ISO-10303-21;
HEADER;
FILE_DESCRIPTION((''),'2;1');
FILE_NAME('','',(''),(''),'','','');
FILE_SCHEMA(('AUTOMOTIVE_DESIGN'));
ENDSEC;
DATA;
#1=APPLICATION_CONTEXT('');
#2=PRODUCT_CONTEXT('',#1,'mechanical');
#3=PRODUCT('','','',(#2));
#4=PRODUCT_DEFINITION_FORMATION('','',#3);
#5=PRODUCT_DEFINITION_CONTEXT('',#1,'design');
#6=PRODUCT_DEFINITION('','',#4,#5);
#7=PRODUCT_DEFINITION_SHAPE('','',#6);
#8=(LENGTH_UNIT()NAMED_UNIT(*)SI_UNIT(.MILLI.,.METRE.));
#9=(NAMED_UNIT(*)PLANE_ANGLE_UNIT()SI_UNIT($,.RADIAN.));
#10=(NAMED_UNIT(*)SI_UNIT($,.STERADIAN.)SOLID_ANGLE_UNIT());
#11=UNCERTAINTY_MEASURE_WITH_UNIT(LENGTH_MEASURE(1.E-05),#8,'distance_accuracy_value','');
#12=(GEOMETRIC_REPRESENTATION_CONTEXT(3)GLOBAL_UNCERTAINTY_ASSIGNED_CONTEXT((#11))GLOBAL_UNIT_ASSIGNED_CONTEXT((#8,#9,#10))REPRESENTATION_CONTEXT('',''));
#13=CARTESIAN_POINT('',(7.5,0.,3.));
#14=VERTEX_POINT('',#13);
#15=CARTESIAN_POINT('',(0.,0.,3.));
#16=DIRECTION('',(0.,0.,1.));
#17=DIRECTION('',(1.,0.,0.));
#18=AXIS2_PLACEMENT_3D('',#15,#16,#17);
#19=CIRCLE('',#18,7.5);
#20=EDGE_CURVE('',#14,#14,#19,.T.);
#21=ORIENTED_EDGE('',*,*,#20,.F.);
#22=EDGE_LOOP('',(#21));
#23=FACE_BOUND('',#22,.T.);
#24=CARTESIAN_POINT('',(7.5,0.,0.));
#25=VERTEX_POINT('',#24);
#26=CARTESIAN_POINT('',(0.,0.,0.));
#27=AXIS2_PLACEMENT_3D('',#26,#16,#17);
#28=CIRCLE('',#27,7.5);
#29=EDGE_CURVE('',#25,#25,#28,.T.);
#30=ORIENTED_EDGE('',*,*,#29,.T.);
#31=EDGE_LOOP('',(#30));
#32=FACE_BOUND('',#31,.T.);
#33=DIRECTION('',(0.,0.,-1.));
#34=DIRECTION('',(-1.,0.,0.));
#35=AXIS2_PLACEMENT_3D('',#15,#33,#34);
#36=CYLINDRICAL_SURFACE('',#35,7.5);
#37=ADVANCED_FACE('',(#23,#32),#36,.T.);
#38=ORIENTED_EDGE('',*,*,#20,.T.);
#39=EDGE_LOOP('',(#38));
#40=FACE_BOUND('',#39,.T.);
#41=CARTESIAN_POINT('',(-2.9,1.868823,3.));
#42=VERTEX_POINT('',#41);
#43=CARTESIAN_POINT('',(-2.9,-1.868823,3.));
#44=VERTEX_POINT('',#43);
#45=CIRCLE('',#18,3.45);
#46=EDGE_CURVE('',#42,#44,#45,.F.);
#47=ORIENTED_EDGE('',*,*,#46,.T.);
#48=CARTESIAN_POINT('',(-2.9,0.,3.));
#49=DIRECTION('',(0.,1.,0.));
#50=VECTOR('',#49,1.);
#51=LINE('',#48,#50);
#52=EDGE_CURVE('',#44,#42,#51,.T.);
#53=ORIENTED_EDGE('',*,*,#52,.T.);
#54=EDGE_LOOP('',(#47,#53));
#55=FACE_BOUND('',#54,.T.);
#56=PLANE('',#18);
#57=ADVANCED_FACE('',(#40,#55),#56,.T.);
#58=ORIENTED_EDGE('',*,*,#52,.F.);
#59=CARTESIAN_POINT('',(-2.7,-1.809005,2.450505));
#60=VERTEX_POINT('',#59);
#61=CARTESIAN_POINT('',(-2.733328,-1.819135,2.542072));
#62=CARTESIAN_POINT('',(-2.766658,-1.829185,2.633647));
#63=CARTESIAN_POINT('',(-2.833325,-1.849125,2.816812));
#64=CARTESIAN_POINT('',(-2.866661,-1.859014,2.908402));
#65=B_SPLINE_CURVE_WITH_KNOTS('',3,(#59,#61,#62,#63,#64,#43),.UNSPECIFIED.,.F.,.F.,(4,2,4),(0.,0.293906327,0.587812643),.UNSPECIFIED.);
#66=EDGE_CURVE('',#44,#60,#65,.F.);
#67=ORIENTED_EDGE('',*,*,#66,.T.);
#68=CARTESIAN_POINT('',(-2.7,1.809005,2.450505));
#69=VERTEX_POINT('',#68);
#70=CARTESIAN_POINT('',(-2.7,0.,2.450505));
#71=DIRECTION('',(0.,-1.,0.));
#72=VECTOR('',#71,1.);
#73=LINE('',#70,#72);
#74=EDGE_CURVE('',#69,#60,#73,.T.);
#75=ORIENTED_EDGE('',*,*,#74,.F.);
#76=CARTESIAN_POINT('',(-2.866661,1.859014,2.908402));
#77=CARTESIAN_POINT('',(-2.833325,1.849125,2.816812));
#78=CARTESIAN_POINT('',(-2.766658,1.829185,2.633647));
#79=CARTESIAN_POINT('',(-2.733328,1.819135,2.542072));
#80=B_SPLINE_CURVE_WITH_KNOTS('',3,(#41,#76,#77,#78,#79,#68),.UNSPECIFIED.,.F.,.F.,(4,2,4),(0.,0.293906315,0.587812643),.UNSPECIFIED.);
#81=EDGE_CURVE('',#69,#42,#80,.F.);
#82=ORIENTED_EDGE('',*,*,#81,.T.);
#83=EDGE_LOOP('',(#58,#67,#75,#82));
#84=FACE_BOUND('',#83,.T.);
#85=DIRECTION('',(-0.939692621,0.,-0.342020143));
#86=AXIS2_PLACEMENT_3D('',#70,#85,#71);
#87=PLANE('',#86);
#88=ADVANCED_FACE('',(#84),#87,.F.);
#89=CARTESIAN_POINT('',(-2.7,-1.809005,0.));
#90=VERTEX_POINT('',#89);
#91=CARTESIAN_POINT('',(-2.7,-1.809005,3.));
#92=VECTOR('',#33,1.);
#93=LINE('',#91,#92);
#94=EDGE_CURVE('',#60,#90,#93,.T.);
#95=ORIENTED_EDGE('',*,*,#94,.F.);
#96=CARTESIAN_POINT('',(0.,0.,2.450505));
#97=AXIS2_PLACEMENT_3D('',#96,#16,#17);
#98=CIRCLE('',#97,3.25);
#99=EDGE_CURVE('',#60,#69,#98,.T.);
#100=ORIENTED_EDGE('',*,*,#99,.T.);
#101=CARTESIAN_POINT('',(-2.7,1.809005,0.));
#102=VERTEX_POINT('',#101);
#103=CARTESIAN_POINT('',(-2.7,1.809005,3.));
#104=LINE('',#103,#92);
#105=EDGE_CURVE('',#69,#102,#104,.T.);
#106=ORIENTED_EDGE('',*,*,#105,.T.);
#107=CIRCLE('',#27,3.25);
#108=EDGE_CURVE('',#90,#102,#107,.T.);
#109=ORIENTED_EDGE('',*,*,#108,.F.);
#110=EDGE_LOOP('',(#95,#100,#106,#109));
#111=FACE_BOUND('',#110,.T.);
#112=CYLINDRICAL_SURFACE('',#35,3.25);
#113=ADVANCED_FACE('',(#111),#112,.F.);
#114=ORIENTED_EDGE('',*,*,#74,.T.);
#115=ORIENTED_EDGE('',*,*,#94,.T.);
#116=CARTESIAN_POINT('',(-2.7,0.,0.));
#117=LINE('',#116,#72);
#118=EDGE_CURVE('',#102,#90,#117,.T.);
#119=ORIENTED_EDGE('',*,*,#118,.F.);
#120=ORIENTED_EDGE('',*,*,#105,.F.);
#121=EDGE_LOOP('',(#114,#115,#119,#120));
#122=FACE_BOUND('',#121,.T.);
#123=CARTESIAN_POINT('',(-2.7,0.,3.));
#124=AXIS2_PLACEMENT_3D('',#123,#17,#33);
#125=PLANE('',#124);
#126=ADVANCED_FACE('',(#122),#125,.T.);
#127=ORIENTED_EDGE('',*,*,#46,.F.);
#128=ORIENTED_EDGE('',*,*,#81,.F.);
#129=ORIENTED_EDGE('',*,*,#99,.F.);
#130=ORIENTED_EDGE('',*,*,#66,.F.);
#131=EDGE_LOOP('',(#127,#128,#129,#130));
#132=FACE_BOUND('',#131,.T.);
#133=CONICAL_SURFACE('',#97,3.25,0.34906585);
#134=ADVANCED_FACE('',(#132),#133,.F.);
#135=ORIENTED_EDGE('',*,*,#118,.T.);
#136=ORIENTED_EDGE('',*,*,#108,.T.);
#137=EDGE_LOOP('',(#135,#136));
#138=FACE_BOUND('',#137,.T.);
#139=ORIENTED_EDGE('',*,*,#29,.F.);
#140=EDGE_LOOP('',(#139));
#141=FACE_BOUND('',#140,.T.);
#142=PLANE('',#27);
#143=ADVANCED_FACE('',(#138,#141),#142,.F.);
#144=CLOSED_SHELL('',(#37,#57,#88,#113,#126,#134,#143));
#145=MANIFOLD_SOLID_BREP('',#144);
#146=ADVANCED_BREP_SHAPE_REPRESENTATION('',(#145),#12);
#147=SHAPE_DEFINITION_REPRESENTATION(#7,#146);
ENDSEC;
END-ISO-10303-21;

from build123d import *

# Parameters (mm, degrees)
SKETCH1_R           = 7.5
BOSS_EXTRUDE1_DEPTH = 3
CHAMFER3_SIZE       = 0.2
CHAMFER3_SIZE2      = 0.549495484


with BuildPart() as part:
    # Sketch1 → Boss-Extrude1 (new body)
    with BuildSketch(Plane.XY):
        Circle(SKETCH1_R)
        with BuildLine():
            Line((-2.7, -1.809005252), (-2.7, 1.809005252))
            ThreePointArc((-2.7, 1.809005252), (3.25, 0), (-2.7, -1.809005252))
        make_face(mode=Mode.SUBTRACT)
    extrude(amount=BOSS_EXTRUDE1_DEPTH)

    # Chamfer3
    chamfer3_edges = [part.edges().sort_by_distance(p)[0] for p in [
        (3.25, 0, 3),
        (-2.7, 0, 3),
    ]]
    chamfer3_side = [part.faces().sort_by_distance(p)[0] for p in [
        (-7.287867966, 0, 3),
    ]]
    chamfer(chamfer3_edges, length=CHAMFER3_SIZE, length2=CHAMFER3_SIZE2, reference=chamfer3_side[0])


solid = part.part
